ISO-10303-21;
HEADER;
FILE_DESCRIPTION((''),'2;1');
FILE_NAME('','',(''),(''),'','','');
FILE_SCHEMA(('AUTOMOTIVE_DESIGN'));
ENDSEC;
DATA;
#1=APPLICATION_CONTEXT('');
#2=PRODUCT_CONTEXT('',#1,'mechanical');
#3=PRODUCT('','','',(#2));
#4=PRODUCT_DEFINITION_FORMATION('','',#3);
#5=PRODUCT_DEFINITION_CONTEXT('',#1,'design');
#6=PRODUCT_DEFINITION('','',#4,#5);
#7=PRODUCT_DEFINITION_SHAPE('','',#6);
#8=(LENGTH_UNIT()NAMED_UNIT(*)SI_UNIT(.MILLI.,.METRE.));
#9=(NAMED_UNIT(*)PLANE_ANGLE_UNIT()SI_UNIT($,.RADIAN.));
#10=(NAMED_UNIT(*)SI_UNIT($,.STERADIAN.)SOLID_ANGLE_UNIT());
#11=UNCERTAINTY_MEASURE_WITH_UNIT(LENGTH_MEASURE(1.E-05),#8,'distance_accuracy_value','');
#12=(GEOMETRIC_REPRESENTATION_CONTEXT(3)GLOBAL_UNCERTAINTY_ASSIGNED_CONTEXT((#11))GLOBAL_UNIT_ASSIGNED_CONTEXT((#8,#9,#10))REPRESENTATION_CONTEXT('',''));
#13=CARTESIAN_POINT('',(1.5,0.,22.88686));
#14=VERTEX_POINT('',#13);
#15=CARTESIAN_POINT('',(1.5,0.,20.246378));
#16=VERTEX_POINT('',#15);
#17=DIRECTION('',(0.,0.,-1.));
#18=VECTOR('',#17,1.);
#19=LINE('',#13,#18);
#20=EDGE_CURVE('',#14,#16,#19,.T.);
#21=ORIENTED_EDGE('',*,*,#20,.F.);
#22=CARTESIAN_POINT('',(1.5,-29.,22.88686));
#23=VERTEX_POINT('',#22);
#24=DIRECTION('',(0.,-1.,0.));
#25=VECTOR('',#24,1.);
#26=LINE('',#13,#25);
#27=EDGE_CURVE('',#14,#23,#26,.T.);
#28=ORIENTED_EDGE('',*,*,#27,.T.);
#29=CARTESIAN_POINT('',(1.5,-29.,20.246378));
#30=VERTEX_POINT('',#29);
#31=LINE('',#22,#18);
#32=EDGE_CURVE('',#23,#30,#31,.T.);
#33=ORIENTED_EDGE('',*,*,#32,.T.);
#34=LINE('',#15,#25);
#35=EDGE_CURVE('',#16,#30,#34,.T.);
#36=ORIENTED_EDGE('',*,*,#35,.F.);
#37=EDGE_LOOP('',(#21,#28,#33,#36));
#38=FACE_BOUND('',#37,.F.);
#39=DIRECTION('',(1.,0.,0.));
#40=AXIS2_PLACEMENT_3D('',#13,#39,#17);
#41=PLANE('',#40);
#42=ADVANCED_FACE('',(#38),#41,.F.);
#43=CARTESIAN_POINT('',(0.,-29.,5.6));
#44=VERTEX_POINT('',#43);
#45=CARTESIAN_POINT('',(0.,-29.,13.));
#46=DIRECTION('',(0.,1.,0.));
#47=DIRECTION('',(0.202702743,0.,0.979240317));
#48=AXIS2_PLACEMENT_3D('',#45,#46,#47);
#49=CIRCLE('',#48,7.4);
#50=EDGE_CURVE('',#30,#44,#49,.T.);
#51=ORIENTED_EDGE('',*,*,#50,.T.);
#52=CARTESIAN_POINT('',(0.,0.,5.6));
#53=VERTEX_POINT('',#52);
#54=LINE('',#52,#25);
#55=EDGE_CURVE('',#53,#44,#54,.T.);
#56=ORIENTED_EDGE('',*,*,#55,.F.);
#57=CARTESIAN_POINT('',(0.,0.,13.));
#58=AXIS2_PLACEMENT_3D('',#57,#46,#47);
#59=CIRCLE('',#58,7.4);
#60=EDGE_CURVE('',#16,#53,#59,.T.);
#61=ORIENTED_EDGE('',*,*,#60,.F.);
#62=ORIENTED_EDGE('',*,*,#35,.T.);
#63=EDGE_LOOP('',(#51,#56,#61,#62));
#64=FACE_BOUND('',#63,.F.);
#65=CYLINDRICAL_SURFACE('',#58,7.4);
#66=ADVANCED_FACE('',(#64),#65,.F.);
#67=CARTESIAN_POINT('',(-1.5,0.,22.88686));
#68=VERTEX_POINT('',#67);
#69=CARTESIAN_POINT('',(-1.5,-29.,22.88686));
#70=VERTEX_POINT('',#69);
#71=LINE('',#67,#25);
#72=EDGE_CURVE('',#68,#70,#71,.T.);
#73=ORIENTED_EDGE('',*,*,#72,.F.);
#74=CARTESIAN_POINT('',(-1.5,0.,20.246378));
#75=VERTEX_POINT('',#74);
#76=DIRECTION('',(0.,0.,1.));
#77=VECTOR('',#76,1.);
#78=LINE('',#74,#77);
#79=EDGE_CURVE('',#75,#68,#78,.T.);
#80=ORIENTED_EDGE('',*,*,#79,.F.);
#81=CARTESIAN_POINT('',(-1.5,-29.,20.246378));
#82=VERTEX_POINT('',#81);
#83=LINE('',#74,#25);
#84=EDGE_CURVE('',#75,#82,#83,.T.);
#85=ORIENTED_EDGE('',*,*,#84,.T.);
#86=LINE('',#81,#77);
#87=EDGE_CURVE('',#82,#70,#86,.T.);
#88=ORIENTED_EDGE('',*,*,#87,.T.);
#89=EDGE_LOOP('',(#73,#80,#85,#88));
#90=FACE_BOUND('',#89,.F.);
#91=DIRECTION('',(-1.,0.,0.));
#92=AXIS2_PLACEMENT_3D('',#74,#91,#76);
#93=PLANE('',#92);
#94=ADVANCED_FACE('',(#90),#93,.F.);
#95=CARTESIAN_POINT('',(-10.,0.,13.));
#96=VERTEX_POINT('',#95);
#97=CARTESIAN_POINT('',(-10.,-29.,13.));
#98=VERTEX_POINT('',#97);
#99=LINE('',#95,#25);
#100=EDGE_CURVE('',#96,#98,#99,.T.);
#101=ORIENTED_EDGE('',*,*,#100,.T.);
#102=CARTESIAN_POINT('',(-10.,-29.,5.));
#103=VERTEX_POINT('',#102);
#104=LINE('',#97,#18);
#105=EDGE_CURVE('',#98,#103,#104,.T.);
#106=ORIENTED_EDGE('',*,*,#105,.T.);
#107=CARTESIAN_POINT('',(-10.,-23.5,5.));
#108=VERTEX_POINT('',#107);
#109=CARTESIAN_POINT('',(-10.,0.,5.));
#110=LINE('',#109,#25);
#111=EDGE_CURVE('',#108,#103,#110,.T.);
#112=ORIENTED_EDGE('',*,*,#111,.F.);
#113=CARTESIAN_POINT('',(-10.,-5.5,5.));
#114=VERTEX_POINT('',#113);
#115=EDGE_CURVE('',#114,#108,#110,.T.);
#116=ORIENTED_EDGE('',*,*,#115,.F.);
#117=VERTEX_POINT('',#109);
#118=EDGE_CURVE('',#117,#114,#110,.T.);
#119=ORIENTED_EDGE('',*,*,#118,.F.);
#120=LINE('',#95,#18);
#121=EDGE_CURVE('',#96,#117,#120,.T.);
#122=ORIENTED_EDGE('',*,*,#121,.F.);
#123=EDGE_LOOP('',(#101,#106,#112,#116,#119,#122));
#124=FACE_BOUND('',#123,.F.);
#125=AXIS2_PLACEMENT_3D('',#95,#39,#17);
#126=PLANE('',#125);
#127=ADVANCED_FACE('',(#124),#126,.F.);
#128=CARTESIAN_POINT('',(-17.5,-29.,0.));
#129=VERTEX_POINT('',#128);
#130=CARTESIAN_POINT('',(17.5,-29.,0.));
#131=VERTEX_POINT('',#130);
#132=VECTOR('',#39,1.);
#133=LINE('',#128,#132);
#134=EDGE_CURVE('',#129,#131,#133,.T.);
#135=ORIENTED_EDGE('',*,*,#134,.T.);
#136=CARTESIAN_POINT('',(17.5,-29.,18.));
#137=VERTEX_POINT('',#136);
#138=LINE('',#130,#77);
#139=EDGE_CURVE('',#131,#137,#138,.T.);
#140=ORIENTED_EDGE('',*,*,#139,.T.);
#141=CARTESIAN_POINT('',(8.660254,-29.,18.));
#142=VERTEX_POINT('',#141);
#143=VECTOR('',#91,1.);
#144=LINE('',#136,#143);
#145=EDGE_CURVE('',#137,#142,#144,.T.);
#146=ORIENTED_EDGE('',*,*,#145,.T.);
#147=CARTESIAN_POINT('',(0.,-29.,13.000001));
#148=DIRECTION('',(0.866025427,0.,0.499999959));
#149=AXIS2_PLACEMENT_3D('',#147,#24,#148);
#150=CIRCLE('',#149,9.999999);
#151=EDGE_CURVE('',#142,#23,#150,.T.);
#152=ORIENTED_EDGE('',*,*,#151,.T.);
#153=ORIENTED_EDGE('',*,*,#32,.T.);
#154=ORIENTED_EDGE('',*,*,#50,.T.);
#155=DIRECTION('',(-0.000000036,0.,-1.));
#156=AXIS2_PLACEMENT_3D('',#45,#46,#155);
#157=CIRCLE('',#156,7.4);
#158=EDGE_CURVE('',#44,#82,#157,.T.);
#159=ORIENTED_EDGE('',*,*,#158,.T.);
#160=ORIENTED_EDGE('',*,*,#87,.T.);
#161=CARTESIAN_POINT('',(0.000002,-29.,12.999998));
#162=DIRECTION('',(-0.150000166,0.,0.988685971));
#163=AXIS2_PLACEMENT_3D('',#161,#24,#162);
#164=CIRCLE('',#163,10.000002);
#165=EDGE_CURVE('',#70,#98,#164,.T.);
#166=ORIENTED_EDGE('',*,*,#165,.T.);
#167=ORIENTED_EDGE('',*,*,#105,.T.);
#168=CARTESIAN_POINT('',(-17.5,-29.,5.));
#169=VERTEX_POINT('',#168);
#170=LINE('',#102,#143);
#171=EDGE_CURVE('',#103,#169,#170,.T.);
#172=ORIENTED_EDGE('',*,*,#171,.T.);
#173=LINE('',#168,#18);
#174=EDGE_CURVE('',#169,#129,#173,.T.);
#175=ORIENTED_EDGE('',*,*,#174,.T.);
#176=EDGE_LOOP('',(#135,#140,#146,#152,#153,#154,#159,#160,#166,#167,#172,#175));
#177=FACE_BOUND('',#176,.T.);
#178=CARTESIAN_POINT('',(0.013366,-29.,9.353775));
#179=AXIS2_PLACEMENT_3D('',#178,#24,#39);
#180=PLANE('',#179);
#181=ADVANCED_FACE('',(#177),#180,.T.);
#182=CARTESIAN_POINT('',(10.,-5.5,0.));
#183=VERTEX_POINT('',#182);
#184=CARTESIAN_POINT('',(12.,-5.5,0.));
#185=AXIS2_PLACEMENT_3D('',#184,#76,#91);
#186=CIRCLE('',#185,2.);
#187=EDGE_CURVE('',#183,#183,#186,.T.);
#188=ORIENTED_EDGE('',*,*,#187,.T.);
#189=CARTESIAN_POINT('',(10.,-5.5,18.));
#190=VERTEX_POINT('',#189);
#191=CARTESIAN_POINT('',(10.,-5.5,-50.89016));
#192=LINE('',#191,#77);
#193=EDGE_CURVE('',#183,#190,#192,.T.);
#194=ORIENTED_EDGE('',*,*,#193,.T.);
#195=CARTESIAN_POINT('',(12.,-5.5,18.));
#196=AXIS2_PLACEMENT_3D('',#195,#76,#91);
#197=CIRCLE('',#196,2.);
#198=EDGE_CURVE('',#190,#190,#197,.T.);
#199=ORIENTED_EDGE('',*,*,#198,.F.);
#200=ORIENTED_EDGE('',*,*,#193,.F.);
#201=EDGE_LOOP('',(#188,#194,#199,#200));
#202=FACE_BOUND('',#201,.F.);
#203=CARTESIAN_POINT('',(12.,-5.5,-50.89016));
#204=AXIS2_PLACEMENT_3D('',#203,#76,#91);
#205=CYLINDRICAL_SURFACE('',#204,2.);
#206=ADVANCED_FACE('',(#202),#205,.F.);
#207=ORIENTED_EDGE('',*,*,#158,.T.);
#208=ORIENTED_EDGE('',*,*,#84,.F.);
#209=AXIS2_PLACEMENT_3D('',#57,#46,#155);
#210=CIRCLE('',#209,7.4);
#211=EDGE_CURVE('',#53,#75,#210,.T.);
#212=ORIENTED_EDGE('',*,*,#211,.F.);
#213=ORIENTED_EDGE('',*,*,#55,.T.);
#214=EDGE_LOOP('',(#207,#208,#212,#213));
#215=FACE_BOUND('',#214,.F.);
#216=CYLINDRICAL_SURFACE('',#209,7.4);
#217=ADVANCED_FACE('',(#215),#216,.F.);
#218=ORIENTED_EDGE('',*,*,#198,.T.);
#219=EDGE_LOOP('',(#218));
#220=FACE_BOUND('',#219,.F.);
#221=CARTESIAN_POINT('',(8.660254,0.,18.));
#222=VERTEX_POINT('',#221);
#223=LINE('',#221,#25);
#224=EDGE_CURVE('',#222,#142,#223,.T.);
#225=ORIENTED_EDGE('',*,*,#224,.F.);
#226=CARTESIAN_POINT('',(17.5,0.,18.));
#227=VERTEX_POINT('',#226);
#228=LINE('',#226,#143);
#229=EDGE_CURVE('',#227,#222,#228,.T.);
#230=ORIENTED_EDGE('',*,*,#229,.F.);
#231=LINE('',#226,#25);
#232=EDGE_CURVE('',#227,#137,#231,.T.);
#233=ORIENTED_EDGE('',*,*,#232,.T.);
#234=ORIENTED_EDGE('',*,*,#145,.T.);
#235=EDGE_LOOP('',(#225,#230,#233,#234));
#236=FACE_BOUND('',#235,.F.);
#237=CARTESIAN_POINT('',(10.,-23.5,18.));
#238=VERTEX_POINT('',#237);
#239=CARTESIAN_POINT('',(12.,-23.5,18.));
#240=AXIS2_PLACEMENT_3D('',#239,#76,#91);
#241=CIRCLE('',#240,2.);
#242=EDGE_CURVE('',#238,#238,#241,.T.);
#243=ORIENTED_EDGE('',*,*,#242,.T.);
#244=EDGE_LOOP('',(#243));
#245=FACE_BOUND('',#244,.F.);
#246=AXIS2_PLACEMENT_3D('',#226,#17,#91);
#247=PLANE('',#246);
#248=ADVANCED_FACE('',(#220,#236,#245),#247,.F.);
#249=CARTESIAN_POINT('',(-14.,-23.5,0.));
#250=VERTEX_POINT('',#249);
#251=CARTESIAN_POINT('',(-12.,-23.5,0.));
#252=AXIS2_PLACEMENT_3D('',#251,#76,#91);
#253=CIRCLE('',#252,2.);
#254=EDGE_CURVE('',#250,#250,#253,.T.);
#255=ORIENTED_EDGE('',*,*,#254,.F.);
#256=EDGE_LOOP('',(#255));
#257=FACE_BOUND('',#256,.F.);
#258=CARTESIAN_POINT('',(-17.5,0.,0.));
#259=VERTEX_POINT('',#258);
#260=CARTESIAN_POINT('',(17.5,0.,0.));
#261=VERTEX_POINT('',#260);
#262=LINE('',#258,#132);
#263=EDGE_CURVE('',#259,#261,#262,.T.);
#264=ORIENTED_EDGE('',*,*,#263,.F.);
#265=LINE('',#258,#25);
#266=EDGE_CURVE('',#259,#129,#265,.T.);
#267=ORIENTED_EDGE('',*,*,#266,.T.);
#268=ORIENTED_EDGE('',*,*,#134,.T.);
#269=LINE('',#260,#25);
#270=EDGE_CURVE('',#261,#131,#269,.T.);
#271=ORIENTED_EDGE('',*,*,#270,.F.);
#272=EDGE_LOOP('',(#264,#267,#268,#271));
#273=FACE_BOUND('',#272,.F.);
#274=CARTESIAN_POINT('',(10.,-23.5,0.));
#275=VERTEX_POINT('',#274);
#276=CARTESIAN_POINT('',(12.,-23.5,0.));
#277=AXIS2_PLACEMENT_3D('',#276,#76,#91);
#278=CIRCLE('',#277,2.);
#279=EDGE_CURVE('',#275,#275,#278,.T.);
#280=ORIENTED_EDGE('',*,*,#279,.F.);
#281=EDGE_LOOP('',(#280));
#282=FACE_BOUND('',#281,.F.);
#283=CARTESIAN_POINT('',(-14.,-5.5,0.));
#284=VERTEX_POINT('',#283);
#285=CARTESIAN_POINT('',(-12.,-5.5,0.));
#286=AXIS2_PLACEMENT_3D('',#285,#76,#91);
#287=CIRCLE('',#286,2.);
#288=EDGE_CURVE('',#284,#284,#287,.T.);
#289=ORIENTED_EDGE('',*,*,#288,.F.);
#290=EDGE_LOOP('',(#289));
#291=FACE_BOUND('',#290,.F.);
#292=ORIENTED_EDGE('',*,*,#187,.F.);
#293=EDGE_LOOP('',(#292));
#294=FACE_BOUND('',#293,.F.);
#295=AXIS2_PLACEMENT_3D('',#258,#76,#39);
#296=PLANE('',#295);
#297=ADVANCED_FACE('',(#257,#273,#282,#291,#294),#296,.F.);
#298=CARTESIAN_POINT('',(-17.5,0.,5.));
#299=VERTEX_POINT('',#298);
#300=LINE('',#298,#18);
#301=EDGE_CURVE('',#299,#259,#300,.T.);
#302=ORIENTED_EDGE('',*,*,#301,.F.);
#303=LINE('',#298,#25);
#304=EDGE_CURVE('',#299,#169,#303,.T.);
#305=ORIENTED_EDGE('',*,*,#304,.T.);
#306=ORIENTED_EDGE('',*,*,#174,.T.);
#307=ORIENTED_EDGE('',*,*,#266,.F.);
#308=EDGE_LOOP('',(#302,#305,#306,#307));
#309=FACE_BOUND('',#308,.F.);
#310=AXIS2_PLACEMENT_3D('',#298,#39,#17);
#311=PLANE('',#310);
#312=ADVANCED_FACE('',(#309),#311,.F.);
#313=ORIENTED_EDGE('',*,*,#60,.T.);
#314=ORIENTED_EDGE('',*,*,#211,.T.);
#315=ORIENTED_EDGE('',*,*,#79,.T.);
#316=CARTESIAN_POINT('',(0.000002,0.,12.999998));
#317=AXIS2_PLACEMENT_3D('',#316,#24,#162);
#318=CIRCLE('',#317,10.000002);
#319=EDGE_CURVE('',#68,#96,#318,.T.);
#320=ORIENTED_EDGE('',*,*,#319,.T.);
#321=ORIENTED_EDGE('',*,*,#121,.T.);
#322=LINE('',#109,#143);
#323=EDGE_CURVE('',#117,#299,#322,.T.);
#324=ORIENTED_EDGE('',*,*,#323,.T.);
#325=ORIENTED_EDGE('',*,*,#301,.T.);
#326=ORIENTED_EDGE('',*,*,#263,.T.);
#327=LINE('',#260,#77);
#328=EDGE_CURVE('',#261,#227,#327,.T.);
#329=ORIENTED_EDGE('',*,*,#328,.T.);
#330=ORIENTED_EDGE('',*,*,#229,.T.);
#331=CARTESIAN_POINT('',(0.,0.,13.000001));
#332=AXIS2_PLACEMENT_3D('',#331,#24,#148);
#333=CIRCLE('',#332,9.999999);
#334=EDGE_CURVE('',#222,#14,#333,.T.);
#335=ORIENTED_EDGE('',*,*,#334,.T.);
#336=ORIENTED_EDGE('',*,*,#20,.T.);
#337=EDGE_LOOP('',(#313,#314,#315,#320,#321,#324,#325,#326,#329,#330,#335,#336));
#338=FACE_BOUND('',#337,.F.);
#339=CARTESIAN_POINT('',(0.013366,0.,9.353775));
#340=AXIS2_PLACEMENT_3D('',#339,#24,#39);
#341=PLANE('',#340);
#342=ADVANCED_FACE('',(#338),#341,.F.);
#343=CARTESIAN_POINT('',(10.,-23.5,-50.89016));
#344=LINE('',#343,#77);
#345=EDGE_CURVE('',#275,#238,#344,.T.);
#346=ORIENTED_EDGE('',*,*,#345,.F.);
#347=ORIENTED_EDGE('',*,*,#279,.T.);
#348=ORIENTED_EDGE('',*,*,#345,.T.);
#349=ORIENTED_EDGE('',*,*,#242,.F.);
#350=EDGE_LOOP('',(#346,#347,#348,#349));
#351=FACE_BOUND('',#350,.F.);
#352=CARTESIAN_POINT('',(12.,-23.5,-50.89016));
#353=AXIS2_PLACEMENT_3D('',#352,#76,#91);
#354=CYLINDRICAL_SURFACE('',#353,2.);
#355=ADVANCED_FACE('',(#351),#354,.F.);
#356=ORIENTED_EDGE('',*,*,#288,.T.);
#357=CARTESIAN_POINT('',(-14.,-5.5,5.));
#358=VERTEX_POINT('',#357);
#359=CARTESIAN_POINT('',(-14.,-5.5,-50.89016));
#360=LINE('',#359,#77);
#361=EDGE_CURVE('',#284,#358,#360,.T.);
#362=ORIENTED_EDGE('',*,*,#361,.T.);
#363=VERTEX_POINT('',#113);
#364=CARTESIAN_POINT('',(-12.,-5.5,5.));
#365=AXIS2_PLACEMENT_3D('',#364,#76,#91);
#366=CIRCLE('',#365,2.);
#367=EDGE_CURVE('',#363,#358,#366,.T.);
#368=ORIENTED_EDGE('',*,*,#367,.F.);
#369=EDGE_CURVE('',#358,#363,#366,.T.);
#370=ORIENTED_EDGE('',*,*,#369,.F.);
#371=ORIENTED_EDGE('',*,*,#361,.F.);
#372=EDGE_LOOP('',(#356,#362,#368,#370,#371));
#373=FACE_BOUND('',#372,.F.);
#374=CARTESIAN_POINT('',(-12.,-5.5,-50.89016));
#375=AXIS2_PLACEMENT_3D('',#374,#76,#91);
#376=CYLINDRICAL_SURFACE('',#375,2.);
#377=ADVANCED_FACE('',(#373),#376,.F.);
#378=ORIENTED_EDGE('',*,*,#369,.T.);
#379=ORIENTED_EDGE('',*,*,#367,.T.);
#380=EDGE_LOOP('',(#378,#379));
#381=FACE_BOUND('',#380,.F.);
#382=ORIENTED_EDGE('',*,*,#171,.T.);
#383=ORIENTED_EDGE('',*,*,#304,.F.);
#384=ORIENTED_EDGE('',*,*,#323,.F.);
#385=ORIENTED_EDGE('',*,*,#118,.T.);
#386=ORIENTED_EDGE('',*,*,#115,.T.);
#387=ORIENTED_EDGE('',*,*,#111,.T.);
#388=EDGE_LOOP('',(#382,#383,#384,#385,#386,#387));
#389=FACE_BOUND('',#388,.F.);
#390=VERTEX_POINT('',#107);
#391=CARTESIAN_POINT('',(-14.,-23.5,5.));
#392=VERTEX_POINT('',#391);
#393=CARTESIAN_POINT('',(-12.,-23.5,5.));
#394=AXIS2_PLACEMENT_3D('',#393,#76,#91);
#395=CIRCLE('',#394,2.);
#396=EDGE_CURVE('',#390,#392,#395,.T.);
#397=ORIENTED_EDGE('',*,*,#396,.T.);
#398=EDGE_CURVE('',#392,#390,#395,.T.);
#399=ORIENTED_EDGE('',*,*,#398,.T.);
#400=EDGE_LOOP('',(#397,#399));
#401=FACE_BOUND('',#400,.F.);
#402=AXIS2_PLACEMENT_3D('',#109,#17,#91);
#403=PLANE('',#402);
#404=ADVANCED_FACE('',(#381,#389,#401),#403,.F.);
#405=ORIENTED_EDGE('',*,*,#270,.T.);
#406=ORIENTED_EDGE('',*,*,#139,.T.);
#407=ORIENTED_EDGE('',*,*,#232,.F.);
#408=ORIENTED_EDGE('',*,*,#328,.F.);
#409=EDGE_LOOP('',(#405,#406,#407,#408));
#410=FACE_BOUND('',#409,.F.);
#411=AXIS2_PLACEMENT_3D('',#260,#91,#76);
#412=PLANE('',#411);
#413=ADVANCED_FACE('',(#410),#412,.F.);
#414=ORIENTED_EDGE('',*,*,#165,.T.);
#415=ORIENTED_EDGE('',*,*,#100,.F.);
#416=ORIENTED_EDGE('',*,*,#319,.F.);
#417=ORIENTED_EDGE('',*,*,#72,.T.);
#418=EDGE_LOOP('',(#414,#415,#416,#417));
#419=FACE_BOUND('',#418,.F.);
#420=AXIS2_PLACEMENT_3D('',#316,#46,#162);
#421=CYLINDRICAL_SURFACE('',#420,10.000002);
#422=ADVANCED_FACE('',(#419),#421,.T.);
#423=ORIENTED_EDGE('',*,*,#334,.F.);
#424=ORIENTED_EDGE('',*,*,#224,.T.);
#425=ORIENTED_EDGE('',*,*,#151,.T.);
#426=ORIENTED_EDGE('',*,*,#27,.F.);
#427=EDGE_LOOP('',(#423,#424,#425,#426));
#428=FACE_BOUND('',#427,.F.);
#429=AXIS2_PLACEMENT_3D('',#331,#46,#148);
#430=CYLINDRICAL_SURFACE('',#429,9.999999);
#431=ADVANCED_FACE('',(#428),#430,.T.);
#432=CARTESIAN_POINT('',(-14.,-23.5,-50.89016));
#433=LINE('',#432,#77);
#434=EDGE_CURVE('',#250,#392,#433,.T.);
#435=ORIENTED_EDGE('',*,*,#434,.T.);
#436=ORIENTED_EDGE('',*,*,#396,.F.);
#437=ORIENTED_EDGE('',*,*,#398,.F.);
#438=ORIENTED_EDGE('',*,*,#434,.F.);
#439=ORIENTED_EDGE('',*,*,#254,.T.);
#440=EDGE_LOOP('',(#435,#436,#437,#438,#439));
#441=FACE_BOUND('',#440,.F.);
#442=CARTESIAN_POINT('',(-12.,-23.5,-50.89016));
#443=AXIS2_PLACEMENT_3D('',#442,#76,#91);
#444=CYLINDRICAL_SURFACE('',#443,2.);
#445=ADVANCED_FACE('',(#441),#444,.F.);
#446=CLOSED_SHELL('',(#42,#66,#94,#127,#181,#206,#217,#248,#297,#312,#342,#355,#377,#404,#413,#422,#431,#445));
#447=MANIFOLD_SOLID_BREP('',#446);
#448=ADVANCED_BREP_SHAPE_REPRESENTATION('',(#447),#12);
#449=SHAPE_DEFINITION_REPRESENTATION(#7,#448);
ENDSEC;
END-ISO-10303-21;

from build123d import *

# Parameters (mm, degrees)
F1_DEPTH = 29
F3_D     = 4


with BuildPart() as f1:
    # F0 (on Front) → F1 (new body)
    with BuildSketch(Plane.XZ):
        with BuildLine():
            Line((-17.5, 0), (0, 0))
            Line((0, 0), (17.5, 0))
            Line((17.5, 0), (17.5, 5))
            Line((17.5, 5), (10, 5))
            Line((10, 5), (10, 13))
            ThreePointArc((10, 13), (9.659258, 15.58819), (8.660254, 18))
            ThreePointArc((8.660254, 18), (5.637201, 21.259659), (1.5, 22.88686))
            Line((1.5, 22.88686), (1.5, 20.246378))
            ThreePointArc((1.5, 20.246378), (7.361494, 12.246077), (0, 5.6))
            ThreePointArc((0, 5.6), (-7.361494, 12.246077), (-1.5, 20.246378))
            Line((-1.5, 20.246378), (-1.5, 22.88686))
            ThreePointArc((-1.5, 22.88686), (-7.582875, 19.519202), (-10, 13))
            Line((-10, 13), (-10, 5))
            Line((-10, 5), (-17.5, 5))
            Line((-17.5, 5), (-17.5, 0))
        make_face()
        with BuildLine():
            Line((10, 5), (17.5, 5))
            Line((17.5, 5), (17.5, 18))
            Line((17.5, 18), (8.660254, 18))
            ThreePointArc((8.660254, 18), (9.659258, 15.58819), (10, 13))
            Line((10, 13), (10, 5))
        make_face()
    extrude(amount=F1_DEPTH)

    # F3 (through all)
    with Locations(Plane(origin=(0, 0, 0), x_dir=(1, 0, 0), z_dir=(0, 0, -1))):
        with Locations((-12, 23.5), (12, 23.5), (-12, 5.5), (12, 5.5)):
            Hole(F3_D / 2)


solid = f1.part
